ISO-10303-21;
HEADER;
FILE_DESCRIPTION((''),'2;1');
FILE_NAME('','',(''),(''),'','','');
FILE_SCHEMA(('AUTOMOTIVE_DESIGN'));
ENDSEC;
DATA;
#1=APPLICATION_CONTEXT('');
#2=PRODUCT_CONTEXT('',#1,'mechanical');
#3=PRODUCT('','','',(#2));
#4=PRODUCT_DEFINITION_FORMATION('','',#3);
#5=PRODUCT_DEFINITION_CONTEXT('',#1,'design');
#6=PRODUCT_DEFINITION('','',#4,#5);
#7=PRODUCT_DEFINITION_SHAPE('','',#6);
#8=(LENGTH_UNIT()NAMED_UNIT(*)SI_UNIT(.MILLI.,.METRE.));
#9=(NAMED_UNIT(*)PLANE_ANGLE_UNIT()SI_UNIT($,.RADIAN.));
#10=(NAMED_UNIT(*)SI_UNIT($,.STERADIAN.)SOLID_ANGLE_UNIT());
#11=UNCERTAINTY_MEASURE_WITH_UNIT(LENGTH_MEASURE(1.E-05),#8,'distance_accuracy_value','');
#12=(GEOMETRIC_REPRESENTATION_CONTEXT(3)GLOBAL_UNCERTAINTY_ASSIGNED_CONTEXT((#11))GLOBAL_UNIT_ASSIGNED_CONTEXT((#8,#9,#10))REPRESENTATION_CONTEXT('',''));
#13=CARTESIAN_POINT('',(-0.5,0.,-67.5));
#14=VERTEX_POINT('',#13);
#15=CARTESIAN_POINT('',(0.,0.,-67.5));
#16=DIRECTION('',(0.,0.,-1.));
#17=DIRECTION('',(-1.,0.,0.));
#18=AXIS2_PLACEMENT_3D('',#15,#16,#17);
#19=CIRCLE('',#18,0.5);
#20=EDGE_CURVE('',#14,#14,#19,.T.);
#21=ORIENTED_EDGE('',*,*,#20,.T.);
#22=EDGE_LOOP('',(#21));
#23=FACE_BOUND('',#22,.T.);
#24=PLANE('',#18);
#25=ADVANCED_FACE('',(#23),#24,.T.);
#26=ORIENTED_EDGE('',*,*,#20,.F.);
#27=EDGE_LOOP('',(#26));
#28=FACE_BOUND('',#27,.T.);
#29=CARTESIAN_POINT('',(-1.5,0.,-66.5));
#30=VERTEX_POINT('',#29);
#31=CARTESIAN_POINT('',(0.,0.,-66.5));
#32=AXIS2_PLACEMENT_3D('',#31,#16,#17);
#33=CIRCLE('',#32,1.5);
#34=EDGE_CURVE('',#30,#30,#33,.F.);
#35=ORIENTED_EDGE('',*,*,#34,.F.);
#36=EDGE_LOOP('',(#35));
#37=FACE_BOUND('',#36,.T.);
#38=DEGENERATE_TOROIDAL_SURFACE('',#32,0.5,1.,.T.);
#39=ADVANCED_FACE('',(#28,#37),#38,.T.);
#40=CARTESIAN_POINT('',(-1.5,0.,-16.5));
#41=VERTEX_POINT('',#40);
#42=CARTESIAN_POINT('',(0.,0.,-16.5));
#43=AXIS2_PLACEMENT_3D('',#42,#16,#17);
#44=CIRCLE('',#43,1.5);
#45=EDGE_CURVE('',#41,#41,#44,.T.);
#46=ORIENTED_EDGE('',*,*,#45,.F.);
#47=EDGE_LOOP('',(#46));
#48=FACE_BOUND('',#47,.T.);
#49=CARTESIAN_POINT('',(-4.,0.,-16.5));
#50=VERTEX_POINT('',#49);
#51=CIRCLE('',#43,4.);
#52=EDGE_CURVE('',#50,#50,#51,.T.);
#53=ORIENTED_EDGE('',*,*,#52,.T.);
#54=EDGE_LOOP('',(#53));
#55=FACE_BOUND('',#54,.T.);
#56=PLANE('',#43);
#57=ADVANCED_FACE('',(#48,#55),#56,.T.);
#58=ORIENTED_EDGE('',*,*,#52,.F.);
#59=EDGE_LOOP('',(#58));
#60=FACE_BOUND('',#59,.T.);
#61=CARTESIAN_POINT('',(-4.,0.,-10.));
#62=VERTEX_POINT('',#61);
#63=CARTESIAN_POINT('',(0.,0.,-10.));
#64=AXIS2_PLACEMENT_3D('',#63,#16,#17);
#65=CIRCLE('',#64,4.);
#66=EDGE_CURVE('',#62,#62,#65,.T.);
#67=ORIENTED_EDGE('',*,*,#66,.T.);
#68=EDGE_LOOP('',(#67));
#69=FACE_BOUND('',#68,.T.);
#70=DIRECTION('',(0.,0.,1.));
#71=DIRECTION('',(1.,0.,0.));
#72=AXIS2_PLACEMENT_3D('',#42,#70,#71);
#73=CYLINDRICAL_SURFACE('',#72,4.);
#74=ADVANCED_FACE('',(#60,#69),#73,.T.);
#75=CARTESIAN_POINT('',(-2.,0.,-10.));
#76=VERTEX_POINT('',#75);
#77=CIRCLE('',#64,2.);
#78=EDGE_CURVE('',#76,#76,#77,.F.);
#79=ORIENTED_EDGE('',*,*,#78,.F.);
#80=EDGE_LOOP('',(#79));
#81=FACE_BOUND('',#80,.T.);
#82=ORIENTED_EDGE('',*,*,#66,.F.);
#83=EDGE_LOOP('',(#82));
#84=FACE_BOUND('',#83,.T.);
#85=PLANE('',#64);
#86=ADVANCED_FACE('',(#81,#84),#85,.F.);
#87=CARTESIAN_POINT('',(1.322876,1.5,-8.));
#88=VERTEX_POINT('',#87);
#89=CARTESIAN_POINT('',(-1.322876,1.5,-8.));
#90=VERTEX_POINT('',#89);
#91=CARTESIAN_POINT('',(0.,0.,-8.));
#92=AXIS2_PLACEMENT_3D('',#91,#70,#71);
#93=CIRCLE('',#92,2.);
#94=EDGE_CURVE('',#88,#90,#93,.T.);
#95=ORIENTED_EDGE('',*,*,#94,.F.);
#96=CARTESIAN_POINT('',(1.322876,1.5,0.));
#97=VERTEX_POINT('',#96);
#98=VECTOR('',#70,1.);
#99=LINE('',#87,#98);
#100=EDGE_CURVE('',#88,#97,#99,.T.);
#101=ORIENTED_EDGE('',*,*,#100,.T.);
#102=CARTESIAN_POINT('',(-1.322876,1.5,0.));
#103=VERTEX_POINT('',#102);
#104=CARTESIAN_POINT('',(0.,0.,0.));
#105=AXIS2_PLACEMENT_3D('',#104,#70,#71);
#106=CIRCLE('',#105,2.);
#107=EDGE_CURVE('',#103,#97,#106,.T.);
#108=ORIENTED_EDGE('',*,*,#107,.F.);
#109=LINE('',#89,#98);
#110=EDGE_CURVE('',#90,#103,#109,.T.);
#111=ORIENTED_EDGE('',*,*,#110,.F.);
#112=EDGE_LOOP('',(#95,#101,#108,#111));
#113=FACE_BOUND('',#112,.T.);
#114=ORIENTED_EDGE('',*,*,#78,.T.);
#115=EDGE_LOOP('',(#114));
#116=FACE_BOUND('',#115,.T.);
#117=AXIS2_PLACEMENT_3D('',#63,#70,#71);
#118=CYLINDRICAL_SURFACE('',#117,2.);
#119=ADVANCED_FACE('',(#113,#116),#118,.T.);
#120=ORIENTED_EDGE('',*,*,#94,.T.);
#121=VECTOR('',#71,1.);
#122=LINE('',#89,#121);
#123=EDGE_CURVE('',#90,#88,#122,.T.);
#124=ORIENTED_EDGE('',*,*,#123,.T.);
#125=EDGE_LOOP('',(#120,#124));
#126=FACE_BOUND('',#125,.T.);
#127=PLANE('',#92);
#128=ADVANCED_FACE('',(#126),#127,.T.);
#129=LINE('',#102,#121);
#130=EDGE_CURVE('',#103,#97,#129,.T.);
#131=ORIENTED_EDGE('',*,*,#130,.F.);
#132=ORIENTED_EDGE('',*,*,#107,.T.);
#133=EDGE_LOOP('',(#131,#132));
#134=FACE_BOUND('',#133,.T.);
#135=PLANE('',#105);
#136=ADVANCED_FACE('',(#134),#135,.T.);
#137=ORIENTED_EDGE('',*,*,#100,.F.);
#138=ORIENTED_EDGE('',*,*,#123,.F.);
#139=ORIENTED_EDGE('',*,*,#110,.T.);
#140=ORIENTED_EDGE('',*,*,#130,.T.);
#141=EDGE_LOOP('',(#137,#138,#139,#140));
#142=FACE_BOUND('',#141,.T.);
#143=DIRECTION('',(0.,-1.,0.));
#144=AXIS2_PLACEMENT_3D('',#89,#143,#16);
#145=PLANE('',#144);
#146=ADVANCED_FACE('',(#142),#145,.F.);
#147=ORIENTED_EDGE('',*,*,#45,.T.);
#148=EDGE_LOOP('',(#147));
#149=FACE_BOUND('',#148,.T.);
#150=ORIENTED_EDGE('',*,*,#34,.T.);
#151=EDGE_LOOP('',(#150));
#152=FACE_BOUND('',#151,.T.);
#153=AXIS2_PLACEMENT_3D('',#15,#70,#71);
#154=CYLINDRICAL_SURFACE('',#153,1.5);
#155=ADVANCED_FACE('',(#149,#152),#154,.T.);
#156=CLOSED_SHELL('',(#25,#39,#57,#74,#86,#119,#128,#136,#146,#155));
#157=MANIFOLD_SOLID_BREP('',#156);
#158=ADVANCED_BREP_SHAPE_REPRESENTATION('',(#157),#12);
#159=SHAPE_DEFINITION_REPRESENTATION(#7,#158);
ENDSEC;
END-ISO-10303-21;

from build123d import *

# Parameters (mm, degrees)
SKETCH1_R       = 2
EXTRUDE1_DEPTH  = 10
EXTRUDE2_DEPTH  = 8
SKETCH3_R       = 4
EXTRUDE3_DEPTH  = 6.5
SKETCH19_R      = 1.5
EXTRUDE13_DEPTH = 51
FILLET11_R      = 1


with BuildPart() as part:
    # Sketch1 → Extrude1 (new body)
    with BuildSketch(Plane.XY):
        Circle(SKETCH1_R)
    extrude(amount=-EXTRUDE1_DEPTH)

    # Sketch2 → Extrude2 (cut)
    with BuildSketch(Plane.XY):
        with BuildLine():
            Line((-1.322875656, 1.5), (1.322875656, 1.5))
            ThreePointArc((1.322875656, 1.5), (0, 2), (-1.322875656, 1.5))
        make_face()
    extrude(amount=-EXTRUDE2_DEPTH, mode=Mode.SUBTRACT)

    # Sketch3 → Extrude3 (add)
    with BuildSketch(Plane(origin=(0, 0, -10), x_dir=(-1, 0, 0), z_dir=(0, 0, -1))):
        Circle(SKETCH3_R)
    extrude(amount=EXTRUDE3_DEPTH)

    # Sketch19 → Extrude13 (add)
    with BuildSketch(Plane(origin=(0, 0, -16.5), x_dir=(-1, 0, 0), z_dir=(0, 0, -1))):
        Circle(SKETCH19_R)
    extrude(amount=EXTRUDE13_DEPTH)

    # Fillet11
    fillet11_edges = [part.edges().sort_by_distance(p)[0] for p in [
        (1.5, 0, -67.5),
    ]]
    fillet(fillet11_edges, radius=FILLET11_R)


solid = part.part
